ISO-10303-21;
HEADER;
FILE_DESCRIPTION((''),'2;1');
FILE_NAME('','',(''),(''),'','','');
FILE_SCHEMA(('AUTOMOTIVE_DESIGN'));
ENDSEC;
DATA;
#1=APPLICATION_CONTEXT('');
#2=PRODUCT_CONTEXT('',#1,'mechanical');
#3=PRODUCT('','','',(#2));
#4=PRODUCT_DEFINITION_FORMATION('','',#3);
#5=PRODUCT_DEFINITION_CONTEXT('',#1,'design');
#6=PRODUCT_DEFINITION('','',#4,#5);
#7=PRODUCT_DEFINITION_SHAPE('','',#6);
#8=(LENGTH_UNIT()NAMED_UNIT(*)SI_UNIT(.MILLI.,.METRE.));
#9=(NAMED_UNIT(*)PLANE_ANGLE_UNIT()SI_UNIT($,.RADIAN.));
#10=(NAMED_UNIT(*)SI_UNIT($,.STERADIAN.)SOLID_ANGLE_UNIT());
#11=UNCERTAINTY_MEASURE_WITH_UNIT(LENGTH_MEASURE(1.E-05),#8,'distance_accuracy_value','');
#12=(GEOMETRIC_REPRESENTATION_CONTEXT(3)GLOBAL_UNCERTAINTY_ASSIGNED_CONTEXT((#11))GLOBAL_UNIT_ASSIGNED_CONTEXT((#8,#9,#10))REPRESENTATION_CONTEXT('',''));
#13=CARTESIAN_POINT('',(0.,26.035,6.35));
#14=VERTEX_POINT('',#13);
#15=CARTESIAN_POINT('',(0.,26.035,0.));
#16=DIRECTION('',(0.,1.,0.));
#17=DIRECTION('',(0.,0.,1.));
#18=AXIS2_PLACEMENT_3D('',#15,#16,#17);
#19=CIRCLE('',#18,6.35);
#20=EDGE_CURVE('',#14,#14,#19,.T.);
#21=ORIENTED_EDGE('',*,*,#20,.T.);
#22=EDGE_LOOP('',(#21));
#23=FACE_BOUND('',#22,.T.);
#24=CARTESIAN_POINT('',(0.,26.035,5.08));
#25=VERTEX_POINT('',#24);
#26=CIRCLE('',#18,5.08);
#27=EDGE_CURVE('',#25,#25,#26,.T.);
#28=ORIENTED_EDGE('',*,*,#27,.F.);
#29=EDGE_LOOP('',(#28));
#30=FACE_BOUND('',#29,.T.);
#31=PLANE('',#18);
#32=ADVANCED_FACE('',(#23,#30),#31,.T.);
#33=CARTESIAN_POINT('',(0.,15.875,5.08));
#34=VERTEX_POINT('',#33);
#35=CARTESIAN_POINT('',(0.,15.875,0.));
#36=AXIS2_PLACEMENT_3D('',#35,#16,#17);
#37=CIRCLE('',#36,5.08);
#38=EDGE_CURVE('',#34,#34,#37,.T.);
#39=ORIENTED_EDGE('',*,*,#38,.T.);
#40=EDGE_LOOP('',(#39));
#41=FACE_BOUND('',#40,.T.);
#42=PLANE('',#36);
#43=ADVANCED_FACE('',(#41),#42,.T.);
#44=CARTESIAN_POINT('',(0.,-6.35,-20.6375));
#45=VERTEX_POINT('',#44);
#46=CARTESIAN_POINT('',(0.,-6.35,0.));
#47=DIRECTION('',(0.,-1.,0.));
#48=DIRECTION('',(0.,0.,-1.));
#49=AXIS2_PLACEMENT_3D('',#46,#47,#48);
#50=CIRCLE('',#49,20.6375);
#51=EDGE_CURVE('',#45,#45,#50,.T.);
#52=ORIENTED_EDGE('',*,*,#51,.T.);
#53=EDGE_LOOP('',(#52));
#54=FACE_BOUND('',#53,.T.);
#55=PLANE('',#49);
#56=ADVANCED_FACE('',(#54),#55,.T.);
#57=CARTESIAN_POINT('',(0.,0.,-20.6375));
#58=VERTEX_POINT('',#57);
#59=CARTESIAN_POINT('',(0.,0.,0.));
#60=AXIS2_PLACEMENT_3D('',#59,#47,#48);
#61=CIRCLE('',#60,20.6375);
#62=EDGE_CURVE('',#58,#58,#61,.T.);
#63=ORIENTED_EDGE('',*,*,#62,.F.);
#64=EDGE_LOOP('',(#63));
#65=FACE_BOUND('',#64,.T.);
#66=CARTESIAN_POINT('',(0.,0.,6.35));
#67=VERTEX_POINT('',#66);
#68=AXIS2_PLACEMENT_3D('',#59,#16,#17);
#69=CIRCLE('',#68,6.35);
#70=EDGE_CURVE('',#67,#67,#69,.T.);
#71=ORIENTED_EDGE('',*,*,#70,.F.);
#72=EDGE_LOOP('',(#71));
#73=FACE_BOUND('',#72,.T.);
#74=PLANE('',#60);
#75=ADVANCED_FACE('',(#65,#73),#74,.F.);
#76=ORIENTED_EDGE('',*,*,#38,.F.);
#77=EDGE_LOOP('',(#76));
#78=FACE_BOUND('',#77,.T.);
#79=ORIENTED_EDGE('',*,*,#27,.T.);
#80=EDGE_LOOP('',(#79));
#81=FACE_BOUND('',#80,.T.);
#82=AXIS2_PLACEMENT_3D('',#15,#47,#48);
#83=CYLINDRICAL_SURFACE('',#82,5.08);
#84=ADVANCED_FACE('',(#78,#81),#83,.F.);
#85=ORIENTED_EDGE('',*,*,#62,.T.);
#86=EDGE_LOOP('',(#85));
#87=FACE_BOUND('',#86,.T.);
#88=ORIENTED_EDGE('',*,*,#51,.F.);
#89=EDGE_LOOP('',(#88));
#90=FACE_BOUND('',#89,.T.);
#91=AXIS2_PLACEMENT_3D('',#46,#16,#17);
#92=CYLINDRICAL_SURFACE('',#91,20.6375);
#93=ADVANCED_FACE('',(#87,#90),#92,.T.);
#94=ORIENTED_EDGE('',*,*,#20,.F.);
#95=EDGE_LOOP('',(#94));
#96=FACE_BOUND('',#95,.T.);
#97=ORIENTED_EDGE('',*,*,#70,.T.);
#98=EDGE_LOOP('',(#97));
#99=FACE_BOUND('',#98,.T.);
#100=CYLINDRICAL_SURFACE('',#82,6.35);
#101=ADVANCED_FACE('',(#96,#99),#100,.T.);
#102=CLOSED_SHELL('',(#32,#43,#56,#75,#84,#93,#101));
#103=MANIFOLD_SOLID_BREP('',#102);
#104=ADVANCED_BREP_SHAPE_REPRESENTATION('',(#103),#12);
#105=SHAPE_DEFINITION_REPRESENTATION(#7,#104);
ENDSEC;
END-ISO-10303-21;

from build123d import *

# Parameters (mm, degrees)
SKETCH1_R           = 6.35
SKETCH1_R_2         = 5.08
BOSS_EXTRUDE1_DEPTH = 26.035
SKETCH2_R           = 20.6375
BOSS_EXTRUDE2_DEPTH = 6.35
SKETCH3_R           = 5.08
BOSS_EXTRUDE3_DEPTH = 15.875


with BuildPart() as part:
    # Sketch1 → Boss-Extrude1 (new body)
    with BuildSketch(Plane(origin=(0, 0, 0), x_dir=(1, 0, 0), z_dir=(0, 1, 0))):
        with Locations(Location((0, 0, 0), (0, 0, 270))):
            Circle(SKETCH1_R)
        with Locations(Location((0, 0, 0), (0, 0, 270))):
            Circle(SKETCH1_R_2, mode=Mode.SUBTRACT)
    extrude(amount=BOSS_EXTRUDE1_DEPTH)

    # Sketch2 → Boss-Extrude2 (add)
    with BuildSketch(Plane.XZ):
        with Locations(Location((0, 0, 0), (0, 0, 270))):
            Circle(SKETCH2_R)
    extrude(amount=BOSS_EXTRUDE2_DEPTH)

    # Sketch3 → Boss-Extrude3 (add)
    with BuildSketch(Plane(origin=(0, 0, 0), x_dir=(1, 0, 0), z_dir=(0, 1, 0))):
        with Locations(Location((0, 0, 0), (0, 0, 270))):
            Circle(SKETCH3_R)
    extrude(amount=BOSS_EXTRUDE3_DEPTH)


solid = part.part
